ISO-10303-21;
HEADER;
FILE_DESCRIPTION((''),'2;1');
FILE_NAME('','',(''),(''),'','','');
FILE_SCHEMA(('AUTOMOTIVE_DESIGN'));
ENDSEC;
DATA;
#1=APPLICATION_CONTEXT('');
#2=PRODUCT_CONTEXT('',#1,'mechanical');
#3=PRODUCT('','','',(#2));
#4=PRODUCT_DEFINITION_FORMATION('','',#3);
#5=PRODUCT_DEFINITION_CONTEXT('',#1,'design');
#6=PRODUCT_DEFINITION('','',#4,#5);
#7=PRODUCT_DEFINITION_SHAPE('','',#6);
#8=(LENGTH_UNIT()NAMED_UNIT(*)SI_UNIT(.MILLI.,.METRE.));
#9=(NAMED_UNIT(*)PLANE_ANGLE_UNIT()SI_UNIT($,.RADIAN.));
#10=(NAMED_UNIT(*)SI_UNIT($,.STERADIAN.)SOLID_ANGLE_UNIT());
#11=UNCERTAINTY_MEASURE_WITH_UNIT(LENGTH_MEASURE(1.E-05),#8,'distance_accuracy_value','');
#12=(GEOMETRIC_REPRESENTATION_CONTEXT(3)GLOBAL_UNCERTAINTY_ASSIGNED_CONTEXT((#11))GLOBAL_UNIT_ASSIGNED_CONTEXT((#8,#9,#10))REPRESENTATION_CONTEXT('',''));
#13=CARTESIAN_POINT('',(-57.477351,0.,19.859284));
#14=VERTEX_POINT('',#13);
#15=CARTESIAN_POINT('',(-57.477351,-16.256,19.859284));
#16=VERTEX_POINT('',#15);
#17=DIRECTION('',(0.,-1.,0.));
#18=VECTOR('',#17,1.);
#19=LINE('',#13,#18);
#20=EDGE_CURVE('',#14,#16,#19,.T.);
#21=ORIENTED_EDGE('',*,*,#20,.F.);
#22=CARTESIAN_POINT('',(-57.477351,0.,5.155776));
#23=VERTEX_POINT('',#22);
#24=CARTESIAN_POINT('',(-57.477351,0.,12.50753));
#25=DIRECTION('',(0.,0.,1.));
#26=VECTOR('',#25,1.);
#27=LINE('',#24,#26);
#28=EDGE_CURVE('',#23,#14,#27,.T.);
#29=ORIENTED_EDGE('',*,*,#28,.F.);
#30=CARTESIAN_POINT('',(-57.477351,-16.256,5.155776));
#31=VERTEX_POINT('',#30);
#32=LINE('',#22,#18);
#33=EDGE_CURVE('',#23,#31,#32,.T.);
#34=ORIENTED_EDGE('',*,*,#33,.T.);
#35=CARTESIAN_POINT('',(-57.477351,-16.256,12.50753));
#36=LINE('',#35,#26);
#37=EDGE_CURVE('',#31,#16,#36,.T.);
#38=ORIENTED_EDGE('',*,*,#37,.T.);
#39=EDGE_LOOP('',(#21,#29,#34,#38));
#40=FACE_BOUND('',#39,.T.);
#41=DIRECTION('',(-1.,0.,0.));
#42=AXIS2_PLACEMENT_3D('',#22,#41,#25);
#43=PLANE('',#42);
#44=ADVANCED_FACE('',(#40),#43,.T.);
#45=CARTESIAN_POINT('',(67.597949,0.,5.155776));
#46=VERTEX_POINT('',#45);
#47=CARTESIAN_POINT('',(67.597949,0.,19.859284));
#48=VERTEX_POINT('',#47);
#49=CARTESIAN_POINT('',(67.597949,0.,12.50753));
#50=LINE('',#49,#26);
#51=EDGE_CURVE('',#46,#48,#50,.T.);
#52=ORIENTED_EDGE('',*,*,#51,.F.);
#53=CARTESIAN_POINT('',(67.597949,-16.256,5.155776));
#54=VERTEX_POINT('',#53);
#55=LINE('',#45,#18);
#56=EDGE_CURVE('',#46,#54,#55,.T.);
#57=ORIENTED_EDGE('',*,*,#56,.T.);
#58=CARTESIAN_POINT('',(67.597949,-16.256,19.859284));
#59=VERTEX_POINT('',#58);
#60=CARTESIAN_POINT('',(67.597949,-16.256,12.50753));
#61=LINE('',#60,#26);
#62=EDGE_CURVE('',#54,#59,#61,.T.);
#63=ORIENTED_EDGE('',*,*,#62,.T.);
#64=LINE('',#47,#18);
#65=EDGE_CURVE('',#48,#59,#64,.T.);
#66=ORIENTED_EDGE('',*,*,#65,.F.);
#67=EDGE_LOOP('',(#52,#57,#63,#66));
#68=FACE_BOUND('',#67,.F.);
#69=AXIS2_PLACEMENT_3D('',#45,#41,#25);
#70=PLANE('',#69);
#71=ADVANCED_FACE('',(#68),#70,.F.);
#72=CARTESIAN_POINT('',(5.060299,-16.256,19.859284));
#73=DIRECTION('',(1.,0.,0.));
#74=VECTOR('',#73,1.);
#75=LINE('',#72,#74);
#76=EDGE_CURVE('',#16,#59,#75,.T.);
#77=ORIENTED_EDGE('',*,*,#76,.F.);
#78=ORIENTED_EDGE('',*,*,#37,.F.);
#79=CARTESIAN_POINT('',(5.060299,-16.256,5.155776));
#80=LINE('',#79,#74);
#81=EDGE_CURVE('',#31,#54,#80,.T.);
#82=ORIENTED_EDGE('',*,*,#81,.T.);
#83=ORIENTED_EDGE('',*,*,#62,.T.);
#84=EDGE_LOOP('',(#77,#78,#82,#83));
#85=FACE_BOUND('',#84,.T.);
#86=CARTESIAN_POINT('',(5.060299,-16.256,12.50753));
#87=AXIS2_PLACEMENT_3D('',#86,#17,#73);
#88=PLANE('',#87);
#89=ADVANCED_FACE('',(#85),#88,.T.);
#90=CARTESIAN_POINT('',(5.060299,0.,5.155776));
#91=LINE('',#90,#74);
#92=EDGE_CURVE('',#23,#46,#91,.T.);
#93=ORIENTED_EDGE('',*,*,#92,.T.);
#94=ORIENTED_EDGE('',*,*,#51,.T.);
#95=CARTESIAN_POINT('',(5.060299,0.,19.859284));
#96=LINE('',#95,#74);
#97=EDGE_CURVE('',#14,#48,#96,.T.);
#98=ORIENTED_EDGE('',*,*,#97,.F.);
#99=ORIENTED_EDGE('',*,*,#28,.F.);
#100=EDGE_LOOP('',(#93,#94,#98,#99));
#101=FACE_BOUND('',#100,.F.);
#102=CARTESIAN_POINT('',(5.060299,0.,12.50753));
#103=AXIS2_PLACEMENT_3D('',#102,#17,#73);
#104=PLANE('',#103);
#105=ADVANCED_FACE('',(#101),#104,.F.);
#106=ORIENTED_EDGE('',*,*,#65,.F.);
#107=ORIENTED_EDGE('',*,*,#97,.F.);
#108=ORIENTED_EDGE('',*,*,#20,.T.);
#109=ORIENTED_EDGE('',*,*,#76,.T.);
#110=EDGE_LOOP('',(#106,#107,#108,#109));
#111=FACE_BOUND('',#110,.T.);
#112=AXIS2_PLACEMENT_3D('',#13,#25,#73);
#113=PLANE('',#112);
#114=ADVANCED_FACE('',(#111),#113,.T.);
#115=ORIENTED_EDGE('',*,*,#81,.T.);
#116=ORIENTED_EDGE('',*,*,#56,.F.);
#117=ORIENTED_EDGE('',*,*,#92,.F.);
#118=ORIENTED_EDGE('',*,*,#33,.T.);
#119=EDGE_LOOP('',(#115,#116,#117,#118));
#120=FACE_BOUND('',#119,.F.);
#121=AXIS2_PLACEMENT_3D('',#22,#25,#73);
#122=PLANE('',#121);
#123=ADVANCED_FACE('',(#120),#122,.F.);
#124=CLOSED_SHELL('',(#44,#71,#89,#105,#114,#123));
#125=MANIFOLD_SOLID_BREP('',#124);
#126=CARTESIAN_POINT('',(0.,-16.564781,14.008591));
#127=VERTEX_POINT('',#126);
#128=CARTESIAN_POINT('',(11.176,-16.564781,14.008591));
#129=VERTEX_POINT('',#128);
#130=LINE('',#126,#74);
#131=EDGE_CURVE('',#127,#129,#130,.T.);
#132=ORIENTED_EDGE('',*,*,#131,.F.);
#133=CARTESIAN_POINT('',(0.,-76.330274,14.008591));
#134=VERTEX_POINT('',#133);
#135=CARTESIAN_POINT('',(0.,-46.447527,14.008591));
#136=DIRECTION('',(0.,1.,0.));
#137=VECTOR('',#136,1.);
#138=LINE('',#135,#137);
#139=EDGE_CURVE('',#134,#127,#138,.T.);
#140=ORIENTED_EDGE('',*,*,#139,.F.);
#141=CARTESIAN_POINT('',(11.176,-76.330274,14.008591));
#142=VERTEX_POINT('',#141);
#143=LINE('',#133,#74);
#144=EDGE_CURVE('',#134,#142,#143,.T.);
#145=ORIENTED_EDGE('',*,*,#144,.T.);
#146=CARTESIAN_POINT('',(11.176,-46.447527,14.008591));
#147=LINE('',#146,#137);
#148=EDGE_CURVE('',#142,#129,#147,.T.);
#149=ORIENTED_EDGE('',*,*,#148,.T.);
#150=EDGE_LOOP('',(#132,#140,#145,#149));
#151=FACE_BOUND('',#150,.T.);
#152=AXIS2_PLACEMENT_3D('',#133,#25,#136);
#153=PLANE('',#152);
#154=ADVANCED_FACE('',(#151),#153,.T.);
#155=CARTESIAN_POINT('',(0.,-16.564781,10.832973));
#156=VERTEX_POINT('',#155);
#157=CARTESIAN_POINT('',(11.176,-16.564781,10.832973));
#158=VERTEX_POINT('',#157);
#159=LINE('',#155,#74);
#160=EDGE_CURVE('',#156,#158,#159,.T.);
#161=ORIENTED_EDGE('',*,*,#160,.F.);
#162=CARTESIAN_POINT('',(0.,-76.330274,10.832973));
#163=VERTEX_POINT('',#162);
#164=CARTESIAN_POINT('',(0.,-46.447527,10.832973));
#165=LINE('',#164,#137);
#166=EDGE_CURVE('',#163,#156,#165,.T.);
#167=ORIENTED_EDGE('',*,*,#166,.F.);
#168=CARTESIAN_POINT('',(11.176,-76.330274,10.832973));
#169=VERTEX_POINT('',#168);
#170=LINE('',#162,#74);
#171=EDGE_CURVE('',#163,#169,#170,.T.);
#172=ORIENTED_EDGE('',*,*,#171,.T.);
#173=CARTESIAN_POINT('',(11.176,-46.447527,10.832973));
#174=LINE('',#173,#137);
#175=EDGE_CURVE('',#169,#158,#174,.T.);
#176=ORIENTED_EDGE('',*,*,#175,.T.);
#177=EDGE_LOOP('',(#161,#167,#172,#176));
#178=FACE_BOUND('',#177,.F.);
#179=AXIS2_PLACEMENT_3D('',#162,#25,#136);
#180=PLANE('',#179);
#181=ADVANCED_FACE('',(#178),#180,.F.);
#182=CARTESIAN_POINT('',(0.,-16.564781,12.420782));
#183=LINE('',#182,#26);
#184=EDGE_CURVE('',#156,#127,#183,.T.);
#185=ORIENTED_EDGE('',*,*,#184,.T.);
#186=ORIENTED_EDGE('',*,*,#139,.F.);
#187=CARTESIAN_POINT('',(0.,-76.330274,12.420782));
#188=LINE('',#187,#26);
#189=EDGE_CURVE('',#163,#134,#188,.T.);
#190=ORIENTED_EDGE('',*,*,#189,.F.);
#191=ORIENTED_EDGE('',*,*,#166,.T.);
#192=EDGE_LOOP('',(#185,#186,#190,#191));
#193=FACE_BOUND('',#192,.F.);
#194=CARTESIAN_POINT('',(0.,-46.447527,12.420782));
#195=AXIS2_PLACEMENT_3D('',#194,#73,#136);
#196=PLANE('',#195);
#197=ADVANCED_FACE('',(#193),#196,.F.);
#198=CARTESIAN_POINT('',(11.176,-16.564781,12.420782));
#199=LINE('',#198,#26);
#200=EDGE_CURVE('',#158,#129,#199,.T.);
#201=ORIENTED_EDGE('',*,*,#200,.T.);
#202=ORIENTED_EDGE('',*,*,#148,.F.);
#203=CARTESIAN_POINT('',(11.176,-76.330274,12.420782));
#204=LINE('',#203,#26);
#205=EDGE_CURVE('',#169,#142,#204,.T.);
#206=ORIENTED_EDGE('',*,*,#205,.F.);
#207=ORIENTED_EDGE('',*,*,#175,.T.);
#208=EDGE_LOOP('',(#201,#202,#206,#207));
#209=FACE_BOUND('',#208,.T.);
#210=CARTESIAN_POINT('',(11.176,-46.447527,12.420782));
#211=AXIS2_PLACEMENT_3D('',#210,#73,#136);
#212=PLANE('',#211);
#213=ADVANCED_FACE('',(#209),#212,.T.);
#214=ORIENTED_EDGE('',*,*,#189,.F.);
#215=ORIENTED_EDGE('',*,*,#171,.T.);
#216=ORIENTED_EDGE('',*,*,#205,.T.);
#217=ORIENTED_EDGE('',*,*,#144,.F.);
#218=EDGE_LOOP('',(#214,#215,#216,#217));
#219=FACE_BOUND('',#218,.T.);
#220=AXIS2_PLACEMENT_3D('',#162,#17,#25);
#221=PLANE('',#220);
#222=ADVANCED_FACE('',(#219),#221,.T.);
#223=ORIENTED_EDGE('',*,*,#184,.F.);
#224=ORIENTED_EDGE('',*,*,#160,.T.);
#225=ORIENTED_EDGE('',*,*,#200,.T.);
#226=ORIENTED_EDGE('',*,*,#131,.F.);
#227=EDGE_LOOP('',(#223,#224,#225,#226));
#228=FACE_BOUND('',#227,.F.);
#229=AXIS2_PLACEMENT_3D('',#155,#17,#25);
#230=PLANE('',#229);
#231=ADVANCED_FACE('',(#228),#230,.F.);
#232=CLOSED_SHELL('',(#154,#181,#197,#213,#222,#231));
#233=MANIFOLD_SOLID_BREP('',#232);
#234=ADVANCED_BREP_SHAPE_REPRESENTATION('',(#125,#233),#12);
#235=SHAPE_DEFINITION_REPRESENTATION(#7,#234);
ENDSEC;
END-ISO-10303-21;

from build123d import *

# Parameters (mm, degrees)
F0_W     = 125.075299
F0_H     = 14.703508
F1_DEPTH = 16.256
F2_W     = 59.765493
F2_H     = 3.175618
F3_DEPTH = 11.176


with BuildPart() as f1:
    # F0 (on Front) → F1 (new body)
    with BuildSketch(Plane.XZ):
        with Locations((5.060299, 12.50753)):
            Rectangle(F0_W, F0_H)
    extrude(amount=F1_DEPTH)


with BuildPart() as f3:
    # F2 (on Right) → F3 (new body)
    with BuildSketch(Plane.YZ):
        with Locations((-46.447527, 12.420782)):
            Rectangle(F2_W, F2_H)
    extrude(amount=F3_DEPTH)


solid = Compound([f1.part, f3.part])
